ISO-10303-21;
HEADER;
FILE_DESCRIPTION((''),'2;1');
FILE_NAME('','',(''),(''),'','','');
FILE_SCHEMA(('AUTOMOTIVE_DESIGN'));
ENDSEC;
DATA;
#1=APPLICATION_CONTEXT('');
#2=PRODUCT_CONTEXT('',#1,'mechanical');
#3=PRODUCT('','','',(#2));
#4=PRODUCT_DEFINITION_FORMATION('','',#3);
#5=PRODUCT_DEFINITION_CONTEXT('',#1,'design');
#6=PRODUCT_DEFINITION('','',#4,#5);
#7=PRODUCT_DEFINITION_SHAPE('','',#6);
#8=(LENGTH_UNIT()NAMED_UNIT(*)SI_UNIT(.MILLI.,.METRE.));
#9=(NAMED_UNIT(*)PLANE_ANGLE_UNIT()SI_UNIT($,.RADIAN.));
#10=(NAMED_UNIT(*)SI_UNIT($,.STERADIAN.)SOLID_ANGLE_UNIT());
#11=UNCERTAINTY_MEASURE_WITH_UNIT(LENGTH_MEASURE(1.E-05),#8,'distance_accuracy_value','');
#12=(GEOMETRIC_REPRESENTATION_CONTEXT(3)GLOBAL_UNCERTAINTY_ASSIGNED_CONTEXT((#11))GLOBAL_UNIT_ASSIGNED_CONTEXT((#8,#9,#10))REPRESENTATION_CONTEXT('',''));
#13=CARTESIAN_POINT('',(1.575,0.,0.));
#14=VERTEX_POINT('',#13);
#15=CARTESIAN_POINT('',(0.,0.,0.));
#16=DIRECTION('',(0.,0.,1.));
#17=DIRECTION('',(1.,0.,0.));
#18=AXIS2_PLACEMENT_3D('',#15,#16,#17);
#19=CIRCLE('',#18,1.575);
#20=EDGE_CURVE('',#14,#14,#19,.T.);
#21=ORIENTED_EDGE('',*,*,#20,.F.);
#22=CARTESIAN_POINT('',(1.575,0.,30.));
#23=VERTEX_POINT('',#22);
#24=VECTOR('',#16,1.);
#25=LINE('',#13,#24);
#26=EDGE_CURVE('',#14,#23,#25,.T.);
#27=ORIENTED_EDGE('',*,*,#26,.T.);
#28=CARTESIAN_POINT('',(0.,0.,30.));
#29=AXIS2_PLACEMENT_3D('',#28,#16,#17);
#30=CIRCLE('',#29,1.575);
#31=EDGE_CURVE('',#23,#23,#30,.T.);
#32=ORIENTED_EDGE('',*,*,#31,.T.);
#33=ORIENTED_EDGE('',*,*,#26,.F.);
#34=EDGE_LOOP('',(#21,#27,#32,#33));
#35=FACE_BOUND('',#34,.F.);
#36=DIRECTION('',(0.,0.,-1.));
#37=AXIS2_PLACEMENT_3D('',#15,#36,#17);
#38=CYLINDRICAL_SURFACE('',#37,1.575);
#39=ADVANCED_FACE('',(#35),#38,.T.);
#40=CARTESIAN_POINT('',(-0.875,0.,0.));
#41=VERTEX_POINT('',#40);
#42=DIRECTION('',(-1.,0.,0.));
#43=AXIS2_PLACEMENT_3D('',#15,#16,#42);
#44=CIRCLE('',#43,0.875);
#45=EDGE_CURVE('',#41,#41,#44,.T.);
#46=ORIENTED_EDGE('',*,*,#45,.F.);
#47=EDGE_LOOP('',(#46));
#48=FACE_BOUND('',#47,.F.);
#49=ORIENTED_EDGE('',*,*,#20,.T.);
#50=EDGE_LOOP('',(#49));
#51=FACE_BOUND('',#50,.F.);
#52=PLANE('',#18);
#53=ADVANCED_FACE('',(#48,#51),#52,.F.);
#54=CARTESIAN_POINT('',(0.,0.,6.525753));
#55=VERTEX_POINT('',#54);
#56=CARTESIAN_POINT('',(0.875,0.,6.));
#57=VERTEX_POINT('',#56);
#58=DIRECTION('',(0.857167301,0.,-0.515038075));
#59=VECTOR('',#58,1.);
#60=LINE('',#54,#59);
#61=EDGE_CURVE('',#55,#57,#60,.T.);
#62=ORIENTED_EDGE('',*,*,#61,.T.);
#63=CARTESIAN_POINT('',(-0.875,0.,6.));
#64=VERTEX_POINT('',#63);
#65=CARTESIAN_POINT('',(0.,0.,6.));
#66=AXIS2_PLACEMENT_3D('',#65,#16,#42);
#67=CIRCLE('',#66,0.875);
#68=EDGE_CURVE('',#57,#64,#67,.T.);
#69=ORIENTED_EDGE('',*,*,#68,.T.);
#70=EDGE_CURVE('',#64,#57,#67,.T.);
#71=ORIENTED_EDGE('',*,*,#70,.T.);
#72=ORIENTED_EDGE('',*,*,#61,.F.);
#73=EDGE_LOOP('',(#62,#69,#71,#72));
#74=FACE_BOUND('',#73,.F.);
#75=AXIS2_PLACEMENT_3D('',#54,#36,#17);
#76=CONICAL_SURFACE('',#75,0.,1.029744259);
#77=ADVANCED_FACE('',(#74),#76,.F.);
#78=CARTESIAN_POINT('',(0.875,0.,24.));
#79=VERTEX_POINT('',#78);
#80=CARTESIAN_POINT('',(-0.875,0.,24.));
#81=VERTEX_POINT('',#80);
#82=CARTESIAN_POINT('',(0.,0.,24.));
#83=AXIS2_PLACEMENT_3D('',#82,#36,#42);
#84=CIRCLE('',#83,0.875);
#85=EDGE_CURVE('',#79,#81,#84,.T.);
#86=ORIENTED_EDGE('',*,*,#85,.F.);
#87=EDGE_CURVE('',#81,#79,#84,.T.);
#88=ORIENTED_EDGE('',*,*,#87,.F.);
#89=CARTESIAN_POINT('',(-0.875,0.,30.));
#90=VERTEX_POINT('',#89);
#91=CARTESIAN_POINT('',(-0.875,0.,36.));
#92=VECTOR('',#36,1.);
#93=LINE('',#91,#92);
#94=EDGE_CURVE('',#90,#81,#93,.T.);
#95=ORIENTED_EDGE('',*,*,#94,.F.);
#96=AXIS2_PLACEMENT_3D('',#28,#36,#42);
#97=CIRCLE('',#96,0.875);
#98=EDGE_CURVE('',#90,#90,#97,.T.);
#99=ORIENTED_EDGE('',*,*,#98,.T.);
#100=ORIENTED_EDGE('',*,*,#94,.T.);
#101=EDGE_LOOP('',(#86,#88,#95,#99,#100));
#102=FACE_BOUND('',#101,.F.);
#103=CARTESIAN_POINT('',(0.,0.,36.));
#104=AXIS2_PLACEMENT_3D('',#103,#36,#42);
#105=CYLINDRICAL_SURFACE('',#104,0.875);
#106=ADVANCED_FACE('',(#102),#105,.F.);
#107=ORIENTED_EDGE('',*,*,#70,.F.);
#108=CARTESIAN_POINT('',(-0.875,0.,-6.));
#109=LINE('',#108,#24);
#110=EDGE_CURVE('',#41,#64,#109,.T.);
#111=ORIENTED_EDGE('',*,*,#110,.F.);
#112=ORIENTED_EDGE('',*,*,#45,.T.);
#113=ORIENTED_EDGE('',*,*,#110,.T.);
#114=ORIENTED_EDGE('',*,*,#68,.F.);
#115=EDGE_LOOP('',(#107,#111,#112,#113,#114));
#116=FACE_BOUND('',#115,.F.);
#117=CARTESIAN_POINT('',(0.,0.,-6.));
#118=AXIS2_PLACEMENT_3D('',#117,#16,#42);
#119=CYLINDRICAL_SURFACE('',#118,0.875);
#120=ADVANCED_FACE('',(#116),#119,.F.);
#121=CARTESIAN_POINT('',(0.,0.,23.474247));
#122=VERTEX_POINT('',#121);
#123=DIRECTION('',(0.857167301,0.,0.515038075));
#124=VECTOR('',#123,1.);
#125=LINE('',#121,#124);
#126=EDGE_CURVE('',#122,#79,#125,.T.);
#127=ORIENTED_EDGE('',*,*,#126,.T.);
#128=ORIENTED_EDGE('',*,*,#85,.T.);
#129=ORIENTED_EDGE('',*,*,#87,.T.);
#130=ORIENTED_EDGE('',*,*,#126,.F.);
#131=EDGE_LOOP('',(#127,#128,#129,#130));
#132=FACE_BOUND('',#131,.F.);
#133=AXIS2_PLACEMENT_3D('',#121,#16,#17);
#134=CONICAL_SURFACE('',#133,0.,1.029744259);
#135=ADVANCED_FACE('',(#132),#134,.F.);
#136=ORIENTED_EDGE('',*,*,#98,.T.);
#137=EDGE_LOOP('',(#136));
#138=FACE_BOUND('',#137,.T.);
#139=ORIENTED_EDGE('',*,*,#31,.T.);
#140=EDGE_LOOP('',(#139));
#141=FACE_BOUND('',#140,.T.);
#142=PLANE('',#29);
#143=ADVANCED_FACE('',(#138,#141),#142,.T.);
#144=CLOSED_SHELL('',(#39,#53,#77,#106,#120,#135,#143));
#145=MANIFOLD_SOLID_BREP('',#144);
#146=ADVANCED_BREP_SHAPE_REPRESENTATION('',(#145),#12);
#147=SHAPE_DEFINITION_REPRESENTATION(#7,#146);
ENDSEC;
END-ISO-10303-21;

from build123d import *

# Parameters (mm, degrees)
F0_R     = 1.575
F1_DEPTH = 30
F3_D     = 1.75
F3_DEPTH = 6
F3_TIP   = 0.5257530416
F5_D     = 1.75
F5_DEPTH = 6
F5_TIP   = 0.5257530416


with BuildPart() as f1:
    # F0 (on Top) → F1 (new body)
    with BuildSketch(Plane.XY):
        Circle(F0_R)
    extrude(amount=F1_DEPTH)

    # F3
    with Locations(Plane.XY.offset(30)):
        with Locations((0, 0)):
            Hole(F3_D / 2, depth=F3_DEPTH)
            with Locations((0, 0, -(F3_DEPTH + F3_TIP / 2))):  # 118° drill point
                Cone(0, F3_D / 2, F3_TIP, mode=Mode.SUBTRACT)

    # F5
    with Locations(Plane(origin=(0, 0, 0), x_dir=(1, 0, 0), z_dir=(0, 0, -1))):
        with Locations((0, 0)):
            Hole(F5_D / 2, depth=F5_DEPTH)
            with Locations((0, 0, -(F5_DEPTH + F5_TIP / 2))):  # 118° drill point
                Cone(0, F5_D / 2, F5_TIP, mode=Mode.SUBTRACT)


solid = f1.part
